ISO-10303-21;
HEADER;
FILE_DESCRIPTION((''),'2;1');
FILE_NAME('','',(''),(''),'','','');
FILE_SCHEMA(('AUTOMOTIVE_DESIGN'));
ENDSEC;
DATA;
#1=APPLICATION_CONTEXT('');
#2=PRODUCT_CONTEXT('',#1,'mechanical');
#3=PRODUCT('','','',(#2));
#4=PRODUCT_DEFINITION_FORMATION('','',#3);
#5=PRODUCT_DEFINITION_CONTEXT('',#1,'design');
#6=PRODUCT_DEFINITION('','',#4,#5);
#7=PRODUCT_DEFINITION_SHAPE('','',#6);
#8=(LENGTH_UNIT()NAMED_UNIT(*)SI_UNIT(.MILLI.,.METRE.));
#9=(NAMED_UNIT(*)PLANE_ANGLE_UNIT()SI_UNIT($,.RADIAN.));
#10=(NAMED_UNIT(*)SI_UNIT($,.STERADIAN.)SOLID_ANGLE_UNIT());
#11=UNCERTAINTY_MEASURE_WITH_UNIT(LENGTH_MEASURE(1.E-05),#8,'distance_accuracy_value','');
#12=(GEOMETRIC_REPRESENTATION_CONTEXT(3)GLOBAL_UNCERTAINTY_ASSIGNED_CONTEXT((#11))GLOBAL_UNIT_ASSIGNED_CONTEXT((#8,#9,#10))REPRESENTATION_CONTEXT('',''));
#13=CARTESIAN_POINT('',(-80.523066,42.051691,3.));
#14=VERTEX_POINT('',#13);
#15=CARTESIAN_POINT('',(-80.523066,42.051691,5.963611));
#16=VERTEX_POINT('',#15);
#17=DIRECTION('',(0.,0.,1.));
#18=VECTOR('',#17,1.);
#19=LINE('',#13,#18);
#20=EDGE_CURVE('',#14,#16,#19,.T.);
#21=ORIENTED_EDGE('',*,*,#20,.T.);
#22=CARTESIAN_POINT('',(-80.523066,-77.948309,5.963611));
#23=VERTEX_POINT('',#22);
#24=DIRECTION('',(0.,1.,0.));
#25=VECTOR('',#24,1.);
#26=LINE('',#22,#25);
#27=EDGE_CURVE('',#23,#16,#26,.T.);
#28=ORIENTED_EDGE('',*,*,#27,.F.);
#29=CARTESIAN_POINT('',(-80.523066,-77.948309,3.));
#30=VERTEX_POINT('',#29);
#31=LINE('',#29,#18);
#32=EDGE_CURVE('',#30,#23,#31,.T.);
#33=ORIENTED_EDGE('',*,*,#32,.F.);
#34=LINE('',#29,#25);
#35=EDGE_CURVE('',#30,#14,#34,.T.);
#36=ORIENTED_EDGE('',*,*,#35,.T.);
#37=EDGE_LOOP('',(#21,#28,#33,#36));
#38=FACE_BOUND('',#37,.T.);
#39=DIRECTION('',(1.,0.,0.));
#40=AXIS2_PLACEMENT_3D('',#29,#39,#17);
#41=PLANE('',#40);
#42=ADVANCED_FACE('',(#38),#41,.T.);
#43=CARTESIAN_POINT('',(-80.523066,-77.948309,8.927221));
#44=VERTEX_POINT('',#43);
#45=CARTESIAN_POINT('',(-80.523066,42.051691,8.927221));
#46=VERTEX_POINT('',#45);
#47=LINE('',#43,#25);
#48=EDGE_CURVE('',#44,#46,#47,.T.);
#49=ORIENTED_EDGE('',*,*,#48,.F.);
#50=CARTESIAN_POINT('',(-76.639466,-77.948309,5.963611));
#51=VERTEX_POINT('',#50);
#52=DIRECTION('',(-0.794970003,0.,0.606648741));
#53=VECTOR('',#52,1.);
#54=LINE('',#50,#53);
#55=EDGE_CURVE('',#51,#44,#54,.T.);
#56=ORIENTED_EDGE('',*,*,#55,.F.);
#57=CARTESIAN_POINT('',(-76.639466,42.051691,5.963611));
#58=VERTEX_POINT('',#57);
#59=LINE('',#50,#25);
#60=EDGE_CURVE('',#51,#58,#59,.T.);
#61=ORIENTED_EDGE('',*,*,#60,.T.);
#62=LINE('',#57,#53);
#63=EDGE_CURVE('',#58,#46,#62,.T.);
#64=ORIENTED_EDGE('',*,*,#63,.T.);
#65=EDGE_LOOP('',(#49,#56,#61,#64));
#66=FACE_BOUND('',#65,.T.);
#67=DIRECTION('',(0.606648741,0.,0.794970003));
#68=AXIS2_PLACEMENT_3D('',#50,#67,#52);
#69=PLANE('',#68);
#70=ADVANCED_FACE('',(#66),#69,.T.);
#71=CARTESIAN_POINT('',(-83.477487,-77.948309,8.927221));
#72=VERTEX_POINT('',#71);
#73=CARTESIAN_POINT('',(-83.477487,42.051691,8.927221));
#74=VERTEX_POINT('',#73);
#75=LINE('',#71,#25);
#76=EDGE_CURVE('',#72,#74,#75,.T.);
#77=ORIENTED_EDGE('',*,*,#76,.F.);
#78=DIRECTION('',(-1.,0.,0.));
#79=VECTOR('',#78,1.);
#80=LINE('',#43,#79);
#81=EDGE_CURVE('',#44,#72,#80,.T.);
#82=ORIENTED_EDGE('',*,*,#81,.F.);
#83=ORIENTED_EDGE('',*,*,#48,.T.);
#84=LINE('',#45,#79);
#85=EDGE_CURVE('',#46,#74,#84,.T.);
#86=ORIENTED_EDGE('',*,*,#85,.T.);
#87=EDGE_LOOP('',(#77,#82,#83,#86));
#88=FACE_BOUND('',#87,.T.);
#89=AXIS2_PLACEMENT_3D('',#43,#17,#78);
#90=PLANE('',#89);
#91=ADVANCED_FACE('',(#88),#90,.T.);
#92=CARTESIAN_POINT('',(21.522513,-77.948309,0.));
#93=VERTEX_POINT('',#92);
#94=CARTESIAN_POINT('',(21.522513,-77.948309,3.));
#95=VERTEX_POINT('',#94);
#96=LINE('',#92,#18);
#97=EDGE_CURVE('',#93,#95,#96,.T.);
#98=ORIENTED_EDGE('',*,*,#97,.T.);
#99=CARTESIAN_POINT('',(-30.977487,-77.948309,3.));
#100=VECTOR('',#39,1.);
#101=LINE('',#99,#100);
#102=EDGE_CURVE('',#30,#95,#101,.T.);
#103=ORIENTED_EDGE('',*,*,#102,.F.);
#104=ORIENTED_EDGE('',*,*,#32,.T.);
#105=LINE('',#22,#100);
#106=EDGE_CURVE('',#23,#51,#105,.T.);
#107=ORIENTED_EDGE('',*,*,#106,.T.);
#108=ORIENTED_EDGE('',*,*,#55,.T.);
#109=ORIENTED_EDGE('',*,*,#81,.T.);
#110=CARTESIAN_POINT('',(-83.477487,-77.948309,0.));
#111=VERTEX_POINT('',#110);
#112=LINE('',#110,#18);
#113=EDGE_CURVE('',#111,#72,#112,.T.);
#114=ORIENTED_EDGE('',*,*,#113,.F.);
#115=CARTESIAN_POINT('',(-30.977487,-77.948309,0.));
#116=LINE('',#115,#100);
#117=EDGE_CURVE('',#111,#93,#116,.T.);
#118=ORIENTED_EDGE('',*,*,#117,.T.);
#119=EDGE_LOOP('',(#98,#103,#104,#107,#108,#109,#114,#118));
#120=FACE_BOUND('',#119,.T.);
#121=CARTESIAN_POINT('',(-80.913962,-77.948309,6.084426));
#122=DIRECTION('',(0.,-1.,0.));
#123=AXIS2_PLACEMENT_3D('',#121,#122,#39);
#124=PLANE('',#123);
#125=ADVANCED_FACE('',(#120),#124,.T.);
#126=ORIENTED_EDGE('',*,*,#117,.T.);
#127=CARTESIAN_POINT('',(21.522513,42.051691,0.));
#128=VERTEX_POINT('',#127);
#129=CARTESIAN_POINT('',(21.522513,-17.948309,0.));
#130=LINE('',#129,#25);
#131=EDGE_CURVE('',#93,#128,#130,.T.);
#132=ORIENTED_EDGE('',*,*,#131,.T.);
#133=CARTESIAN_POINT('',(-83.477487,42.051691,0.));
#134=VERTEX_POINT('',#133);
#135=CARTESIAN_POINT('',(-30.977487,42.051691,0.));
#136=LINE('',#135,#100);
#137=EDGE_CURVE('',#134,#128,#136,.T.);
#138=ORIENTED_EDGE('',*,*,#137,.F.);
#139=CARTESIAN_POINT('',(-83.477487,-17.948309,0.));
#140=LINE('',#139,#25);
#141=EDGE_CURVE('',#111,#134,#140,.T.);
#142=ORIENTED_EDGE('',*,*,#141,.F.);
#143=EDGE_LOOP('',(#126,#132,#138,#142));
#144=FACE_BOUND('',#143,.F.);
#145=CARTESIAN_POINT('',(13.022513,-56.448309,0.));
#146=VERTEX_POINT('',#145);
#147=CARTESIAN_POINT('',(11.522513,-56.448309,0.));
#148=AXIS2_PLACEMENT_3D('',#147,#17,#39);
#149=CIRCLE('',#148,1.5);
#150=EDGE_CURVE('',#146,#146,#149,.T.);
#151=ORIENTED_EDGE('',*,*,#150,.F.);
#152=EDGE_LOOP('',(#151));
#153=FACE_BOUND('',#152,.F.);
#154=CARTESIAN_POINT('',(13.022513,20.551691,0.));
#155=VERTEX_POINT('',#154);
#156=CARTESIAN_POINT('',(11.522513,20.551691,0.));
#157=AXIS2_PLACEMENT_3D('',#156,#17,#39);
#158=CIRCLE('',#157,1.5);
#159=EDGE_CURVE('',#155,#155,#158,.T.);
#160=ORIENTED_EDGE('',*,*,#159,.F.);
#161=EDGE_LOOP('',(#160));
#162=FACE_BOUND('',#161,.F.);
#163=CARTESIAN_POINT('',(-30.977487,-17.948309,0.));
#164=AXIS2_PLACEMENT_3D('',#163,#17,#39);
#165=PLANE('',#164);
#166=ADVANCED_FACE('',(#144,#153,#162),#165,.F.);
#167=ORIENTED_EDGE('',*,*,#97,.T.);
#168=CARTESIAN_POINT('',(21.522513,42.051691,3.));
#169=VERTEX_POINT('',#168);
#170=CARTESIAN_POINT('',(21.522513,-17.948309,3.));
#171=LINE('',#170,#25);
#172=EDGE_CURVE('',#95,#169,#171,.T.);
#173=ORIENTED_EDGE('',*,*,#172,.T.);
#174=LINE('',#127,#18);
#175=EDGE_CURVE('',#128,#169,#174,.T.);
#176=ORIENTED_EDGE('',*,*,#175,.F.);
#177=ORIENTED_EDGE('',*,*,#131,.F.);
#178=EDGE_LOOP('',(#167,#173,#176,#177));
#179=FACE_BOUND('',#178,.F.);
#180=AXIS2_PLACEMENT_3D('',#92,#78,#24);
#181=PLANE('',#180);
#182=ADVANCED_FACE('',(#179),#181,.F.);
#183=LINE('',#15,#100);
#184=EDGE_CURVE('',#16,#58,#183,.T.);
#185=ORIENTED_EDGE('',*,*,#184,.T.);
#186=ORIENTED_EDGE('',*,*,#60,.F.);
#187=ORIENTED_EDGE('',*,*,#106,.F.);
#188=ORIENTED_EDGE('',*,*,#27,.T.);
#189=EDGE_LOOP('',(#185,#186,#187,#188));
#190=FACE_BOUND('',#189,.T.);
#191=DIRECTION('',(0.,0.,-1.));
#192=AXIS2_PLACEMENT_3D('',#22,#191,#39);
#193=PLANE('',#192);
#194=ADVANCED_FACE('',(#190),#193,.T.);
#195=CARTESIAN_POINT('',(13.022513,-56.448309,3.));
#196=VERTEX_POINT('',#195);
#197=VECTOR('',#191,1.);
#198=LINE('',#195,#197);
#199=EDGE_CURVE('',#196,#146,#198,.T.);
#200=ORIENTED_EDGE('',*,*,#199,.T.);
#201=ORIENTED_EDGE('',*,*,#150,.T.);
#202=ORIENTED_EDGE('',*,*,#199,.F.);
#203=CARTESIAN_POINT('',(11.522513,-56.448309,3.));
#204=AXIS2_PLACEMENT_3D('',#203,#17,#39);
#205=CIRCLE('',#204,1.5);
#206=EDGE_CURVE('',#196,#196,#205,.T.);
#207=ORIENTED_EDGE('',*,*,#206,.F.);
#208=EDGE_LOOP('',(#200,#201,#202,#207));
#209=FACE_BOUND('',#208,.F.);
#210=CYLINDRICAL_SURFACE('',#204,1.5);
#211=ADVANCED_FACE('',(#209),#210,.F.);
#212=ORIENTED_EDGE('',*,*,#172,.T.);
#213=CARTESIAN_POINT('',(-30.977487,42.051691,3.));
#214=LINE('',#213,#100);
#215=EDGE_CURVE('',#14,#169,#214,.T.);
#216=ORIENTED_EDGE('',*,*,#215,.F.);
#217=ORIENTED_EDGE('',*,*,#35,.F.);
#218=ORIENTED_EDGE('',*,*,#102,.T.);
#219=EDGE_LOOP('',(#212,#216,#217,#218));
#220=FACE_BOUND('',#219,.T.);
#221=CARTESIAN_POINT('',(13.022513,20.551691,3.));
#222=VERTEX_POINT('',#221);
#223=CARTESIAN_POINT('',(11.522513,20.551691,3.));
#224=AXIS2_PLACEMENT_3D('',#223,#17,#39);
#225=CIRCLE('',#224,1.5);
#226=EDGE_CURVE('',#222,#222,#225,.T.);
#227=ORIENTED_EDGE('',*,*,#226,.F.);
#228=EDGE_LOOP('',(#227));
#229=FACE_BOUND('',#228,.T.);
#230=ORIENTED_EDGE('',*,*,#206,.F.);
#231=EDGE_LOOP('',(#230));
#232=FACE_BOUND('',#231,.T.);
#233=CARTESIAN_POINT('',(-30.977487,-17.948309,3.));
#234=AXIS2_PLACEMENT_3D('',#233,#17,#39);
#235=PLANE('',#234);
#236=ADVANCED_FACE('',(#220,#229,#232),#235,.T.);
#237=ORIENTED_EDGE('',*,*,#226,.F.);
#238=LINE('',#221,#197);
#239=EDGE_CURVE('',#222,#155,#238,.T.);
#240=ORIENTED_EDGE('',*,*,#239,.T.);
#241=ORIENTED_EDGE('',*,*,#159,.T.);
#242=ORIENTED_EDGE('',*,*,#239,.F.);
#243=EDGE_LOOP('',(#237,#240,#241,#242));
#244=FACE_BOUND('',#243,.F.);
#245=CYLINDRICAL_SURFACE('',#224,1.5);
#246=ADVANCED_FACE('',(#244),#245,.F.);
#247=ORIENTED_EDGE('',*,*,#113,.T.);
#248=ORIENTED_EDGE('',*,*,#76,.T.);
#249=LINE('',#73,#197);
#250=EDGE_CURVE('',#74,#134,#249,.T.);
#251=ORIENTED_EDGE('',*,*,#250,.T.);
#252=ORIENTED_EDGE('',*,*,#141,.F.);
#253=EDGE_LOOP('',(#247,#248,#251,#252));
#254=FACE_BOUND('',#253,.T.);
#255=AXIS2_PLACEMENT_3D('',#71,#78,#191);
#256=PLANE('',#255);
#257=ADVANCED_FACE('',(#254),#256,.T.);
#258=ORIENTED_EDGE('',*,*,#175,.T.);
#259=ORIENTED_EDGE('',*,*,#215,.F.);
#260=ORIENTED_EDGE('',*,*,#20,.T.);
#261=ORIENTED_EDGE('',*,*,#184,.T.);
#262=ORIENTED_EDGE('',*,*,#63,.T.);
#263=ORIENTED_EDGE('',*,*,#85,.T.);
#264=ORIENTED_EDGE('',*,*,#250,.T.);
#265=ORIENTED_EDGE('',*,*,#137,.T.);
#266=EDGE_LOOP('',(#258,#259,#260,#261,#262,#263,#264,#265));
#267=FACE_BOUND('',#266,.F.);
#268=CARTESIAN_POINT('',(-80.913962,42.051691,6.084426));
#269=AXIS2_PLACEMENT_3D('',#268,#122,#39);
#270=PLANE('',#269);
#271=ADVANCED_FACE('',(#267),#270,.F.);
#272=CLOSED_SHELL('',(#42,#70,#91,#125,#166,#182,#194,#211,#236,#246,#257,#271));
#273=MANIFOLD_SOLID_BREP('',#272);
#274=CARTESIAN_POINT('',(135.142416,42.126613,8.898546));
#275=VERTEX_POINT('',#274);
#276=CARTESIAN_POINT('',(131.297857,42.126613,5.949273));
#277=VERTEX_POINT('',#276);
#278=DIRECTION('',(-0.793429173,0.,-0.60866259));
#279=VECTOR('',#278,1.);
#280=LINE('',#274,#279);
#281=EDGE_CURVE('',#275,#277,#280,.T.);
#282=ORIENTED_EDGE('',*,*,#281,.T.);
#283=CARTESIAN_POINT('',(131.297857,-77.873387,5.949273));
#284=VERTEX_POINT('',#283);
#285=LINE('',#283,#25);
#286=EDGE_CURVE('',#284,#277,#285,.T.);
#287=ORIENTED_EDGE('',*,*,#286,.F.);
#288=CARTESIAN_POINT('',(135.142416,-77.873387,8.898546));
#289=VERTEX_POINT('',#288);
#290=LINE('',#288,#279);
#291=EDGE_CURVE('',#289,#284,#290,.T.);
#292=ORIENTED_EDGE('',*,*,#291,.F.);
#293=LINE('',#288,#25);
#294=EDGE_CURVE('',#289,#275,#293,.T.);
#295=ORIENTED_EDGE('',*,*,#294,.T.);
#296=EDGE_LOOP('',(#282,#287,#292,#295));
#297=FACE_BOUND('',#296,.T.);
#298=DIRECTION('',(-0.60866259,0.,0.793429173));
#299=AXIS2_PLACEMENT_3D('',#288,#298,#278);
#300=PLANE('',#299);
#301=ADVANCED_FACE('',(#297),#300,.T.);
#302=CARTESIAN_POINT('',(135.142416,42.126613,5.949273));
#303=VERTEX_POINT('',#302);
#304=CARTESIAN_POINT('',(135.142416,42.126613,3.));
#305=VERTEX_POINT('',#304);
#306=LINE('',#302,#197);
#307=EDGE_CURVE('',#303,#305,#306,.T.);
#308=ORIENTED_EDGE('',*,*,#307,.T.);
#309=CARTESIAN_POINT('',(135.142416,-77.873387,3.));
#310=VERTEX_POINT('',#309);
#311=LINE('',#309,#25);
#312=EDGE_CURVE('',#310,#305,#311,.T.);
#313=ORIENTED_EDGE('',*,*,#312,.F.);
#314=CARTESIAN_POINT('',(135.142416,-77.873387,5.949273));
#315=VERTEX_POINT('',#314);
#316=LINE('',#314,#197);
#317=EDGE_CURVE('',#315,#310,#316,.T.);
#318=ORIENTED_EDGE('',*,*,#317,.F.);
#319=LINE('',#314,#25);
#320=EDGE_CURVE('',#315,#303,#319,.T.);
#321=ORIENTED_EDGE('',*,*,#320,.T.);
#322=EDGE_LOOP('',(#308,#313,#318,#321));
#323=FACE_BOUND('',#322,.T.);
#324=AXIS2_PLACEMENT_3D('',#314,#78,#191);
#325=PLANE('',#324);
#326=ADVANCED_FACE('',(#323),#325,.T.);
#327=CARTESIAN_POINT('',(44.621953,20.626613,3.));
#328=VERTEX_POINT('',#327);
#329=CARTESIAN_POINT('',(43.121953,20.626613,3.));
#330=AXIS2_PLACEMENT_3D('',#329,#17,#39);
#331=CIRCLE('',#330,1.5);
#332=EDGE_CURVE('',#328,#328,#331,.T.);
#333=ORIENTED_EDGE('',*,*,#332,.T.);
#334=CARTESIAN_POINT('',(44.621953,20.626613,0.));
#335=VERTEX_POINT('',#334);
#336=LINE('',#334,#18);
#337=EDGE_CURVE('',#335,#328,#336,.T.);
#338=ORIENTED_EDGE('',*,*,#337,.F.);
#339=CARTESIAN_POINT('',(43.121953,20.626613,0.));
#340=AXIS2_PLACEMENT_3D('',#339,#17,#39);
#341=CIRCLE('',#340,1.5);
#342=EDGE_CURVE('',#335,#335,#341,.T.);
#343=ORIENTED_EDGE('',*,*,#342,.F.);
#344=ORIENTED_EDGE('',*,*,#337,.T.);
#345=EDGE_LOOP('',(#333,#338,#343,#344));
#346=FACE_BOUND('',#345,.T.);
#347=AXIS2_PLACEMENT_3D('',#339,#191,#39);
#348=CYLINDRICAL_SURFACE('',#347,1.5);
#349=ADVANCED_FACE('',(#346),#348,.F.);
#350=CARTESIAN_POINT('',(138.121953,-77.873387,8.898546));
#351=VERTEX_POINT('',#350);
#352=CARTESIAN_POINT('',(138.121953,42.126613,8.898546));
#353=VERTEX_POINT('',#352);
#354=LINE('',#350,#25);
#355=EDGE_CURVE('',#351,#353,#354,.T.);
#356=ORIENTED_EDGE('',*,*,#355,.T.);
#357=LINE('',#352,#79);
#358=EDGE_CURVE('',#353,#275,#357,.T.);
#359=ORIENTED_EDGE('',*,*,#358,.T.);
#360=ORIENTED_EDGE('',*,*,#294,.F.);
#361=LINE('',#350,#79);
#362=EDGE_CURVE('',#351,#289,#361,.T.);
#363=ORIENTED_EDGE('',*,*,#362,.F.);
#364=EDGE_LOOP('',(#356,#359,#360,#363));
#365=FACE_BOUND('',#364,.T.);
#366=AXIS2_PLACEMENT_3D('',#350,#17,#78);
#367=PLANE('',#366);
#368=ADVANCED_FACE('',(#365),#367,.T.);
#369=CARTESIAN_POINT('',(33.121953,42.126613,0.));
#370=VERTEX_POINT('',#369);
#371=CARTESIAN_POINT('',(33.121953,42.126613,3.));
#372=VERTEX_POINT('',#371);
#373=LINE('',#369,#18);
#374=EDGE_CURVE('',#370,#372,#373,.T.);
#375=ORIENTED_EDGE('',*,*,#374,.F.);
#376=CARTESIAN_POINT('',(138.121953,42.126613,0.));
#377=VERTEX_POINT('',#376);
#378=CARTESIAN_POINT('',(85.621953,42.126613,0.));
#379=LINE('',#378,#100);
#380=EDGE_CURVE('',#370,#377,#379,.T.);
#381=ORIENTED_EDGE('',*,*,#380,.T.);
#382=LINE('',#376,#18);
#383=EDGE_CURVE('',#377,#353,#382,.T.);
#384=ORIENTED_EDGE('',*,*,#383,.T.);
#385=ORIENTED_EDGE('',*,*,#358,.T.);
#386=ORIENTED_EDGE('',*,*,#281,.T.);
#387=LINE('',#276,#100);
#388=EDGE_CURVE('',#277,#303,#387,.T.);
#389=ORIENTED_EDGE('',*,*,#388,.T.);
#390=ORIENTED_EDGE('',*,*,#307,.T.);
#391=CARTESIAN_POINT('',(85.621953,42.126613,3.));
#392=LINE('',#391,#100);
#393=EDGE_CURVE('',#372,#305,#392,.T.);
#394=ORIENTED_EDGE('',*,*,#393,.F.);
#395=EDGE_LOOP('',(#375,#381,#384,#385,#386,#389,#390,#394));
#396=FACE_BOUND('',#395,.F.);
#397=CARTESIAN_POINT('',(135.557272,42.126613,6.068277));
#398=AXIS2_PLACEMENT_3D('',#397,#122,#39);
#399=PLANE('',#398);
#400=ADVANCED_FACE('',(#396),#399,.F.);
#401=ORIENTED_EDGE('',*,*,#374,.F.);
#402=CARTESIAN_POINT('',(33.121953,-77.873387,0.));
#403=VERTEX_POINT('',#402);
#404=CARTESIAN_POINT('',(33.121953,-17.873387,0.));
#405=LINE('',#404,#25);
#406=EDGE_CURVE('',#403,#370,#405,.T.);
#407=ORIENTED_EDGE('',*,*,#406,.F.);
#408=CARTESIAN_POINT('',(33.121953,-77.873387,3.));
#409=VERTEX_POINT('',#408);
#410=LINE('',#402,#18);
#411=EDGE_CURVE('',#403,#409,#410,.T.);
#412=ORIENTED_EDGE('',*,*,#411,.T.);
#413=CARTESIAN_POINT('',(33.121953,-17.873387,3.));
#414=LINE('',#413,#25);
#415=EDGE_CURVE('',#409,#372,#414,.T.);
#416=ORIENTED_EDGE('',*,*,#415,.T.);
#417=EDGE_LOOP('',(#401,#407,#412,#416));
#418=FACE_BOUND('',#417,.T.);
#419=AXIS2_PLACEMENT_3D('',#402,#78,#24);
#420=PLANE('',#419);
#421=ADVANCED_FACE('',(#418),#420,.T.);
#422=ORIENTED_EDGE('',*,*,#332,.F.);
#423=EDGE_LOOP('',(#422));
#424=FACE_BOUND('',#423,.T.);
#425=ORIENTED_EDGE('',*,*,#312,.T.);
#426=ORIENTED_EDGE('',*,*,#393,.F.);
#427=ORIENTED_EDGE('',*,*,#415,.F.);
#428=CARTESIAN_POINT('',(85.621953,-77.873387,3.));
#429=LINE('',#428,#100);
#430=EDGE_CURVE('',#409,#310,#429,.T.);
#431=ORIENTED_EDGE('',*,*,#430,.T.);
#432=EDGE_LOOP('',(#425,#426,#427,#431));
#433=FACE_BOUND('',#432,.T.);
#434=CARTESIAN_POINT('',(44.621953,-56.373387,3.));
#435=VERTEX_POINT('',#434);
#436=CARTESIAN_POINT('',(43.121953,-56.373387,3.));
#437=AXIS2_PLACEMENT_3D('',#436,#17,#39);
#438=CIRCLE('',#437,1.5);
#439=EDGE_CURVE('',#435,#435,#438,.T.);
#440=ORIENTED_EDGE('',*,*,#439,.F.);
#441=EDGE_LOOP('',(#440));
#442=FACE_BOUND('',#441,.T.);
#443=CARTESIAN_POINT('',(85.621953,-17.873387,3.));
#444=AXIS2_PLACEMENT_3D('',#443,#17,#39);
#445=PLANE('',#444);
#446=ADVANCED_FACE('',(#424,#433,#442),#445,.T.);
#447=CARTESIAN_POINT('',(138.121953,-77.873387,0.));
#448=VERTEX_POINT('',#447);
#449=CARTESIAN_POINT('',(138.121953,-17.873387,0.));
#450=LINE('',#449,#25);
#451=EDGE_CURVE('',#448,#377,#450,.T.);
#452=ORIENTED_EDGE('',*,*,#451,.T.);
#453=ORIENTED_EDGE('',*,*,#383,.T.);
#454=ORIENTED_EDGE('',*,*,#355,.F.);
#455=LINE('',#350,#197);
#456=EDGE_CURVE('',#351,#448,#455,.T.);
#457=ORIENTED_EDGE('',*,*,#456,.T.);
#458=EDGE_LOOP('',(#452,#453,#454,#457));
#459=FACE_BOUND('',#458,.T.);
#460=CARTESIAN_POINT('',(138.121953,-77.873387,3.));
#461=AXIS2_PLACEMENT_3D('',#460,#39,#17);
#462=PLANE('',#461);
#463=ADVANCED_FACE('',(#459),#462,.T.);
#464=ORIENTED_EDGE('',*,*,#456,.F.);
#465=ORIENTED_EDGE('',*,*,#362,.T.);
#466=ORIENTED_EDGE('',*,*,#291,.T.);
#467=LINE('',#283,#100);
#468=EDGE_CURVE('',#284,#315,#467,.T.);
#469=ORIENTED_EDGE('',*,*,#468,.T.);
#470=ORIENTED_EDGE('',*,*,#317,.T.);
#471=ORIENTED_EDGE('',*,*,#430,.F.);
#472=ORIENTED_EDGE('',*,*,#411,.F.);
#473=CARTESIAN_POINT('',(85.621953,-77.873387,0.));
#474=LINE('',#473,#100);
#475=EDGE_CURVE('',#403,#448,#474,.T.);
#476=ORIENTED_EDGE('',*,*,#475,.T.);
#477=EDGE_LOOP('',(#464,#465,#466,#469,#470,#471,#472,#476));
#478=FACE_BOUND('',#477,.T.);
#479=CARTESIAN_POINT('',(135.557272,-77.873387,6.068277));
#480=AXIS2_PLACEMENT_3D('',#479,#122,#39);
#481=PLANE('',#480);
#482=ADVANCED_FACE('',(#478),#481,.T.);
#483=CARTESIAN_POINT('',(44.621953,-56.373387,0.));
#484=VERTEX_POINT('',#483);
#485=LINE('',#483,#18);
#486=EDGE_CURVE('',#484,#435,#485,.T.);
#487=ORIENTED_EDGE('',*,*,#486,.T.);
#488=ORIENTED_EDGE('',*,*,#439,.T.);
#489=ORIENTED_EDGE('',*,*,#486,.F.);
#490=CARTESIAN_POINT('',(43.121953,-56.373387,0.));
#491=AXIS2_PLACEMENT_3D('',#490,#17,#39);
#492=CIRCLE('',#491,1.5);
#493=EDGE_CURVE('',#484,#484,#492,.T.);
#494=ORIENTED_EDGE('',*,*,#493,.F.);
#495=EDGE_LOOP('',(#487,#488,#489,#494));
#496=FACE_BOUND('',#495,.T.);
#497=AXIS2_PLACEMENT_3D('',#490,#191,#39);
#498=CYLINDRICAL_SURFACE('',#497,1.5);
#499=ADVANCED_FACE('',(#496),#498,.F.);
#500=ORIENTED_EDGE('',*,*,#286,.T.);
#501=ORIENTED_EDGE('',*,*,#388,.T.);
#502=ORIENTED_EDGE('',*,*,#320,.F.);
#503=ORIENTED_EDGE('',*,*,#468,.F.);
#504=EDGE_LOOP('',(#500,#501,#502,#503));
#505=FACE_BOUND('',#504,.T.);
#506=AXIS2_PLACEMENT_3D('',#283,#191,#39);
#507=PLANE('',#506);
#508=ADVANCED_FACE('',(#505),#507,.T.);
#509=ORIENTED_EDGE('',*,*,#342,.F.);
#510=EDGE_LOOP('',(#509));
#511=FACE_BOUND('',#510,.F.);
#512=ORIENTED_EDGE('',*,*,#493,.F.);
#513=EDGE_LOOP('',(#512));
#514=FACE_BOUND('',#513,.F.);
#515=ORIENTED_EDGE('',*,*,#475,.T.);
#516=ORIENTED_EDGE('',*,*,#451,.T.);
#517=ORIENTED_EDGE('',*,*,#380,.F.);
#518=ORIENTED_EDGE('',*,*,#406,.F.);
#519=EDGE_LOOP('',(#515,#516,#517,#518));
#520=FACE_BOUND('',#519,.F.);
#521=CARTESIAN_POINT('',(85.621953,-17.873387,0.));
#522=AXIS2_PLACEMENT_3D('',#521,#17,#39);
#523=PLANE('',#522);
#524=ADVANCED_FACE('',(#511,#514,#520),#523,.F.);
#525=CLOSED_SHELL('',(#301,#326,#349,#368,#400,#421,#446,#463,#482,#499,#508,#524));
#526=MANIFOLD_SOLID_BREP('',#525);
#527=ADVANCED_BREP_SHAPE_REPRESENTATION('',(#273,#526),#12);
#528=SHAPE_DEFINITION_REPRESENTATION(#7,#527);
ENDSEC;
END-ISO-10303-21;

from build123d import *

# Parameters (mm, degrees)
F0_W      = 105
F0_H      = 120
F1_DEPTH  = 3
F2_R      = 1.5
F3_DEPTH  = 3
F5_DEPTH  = 120
F6_W      = 105
F6_H      = 120
F8_DEPTH  = 3
F7_R      = 1.5
F9_DEPTH  = 3
F11_DEPTH = 120


with BuildPart() as f1:
    # F0 (on Top) → F1 (new body)
    with BuildSketch(Plane.XY):
        with Locations((-30.977487, -17.948309)):
            Rectangle(F0_W, F0_H)
    extrude(amount=F1_DEPTH)

    # F2 (on face) → F3 (cut, through all)
    with BuildSketch(Plane.XY.offset(3)):
        with Locations((11.522513, 20.551691)):
            Circle(F2_R)
        with Locations((11.522513, -56.448309)):
            Circle(F2_R)
    extrude(amount=-F3_DEPTH, mode=Mode.SUBTRACT)

    # F4 (on face) → F5 (join, through all)
    with BuildSketch(Plane.XZ.offset(77.948309)):
        Polygon((-83.477487, 8.927221), (-83.477487, 3), (-80.523066, 3), (-80.523066, 5.963611), (-76.639466, 5.963611), (-80.523066, 8.927221), align=None)
    extrude(amount=-F5_DEPTH)


with BuildPart() as f8:
    # F6 (on Top) → F8 (new body)
    with BuildSketch(Plane.XY):
        with Locations((85.621953, -17.873387)):
            Rectangle(F6_W, F6_H)
    extrude(amount=F8_DEPTH)

    # F7 (on face) → F9 (cut, through all)
    with BuildSketch(Plane.XY):
        with Locations((43.121953, 20.626613)):
            Circle(F7_R)
        with Locations((43.121953, -56.373387)):
            Circle(F7_R)
    extrude(amount=F9_DEPTH, mode=Mode.SUBTRACT)

    # F10 (on face) → F11 (join, through all)
    with BuildSketch(Plane.XZ.offset(77.873387)):
        Polygon((135.142416, 3), (138.121953, 3), (138.121953, 8.898546), (135.142416, 8.898546), (131.297857, 5.949273), (135.142416, 5.949273), align=None)
    extrude(amount=-F11_DEPTH)


solid = Compound([f1.part, f8.part])
